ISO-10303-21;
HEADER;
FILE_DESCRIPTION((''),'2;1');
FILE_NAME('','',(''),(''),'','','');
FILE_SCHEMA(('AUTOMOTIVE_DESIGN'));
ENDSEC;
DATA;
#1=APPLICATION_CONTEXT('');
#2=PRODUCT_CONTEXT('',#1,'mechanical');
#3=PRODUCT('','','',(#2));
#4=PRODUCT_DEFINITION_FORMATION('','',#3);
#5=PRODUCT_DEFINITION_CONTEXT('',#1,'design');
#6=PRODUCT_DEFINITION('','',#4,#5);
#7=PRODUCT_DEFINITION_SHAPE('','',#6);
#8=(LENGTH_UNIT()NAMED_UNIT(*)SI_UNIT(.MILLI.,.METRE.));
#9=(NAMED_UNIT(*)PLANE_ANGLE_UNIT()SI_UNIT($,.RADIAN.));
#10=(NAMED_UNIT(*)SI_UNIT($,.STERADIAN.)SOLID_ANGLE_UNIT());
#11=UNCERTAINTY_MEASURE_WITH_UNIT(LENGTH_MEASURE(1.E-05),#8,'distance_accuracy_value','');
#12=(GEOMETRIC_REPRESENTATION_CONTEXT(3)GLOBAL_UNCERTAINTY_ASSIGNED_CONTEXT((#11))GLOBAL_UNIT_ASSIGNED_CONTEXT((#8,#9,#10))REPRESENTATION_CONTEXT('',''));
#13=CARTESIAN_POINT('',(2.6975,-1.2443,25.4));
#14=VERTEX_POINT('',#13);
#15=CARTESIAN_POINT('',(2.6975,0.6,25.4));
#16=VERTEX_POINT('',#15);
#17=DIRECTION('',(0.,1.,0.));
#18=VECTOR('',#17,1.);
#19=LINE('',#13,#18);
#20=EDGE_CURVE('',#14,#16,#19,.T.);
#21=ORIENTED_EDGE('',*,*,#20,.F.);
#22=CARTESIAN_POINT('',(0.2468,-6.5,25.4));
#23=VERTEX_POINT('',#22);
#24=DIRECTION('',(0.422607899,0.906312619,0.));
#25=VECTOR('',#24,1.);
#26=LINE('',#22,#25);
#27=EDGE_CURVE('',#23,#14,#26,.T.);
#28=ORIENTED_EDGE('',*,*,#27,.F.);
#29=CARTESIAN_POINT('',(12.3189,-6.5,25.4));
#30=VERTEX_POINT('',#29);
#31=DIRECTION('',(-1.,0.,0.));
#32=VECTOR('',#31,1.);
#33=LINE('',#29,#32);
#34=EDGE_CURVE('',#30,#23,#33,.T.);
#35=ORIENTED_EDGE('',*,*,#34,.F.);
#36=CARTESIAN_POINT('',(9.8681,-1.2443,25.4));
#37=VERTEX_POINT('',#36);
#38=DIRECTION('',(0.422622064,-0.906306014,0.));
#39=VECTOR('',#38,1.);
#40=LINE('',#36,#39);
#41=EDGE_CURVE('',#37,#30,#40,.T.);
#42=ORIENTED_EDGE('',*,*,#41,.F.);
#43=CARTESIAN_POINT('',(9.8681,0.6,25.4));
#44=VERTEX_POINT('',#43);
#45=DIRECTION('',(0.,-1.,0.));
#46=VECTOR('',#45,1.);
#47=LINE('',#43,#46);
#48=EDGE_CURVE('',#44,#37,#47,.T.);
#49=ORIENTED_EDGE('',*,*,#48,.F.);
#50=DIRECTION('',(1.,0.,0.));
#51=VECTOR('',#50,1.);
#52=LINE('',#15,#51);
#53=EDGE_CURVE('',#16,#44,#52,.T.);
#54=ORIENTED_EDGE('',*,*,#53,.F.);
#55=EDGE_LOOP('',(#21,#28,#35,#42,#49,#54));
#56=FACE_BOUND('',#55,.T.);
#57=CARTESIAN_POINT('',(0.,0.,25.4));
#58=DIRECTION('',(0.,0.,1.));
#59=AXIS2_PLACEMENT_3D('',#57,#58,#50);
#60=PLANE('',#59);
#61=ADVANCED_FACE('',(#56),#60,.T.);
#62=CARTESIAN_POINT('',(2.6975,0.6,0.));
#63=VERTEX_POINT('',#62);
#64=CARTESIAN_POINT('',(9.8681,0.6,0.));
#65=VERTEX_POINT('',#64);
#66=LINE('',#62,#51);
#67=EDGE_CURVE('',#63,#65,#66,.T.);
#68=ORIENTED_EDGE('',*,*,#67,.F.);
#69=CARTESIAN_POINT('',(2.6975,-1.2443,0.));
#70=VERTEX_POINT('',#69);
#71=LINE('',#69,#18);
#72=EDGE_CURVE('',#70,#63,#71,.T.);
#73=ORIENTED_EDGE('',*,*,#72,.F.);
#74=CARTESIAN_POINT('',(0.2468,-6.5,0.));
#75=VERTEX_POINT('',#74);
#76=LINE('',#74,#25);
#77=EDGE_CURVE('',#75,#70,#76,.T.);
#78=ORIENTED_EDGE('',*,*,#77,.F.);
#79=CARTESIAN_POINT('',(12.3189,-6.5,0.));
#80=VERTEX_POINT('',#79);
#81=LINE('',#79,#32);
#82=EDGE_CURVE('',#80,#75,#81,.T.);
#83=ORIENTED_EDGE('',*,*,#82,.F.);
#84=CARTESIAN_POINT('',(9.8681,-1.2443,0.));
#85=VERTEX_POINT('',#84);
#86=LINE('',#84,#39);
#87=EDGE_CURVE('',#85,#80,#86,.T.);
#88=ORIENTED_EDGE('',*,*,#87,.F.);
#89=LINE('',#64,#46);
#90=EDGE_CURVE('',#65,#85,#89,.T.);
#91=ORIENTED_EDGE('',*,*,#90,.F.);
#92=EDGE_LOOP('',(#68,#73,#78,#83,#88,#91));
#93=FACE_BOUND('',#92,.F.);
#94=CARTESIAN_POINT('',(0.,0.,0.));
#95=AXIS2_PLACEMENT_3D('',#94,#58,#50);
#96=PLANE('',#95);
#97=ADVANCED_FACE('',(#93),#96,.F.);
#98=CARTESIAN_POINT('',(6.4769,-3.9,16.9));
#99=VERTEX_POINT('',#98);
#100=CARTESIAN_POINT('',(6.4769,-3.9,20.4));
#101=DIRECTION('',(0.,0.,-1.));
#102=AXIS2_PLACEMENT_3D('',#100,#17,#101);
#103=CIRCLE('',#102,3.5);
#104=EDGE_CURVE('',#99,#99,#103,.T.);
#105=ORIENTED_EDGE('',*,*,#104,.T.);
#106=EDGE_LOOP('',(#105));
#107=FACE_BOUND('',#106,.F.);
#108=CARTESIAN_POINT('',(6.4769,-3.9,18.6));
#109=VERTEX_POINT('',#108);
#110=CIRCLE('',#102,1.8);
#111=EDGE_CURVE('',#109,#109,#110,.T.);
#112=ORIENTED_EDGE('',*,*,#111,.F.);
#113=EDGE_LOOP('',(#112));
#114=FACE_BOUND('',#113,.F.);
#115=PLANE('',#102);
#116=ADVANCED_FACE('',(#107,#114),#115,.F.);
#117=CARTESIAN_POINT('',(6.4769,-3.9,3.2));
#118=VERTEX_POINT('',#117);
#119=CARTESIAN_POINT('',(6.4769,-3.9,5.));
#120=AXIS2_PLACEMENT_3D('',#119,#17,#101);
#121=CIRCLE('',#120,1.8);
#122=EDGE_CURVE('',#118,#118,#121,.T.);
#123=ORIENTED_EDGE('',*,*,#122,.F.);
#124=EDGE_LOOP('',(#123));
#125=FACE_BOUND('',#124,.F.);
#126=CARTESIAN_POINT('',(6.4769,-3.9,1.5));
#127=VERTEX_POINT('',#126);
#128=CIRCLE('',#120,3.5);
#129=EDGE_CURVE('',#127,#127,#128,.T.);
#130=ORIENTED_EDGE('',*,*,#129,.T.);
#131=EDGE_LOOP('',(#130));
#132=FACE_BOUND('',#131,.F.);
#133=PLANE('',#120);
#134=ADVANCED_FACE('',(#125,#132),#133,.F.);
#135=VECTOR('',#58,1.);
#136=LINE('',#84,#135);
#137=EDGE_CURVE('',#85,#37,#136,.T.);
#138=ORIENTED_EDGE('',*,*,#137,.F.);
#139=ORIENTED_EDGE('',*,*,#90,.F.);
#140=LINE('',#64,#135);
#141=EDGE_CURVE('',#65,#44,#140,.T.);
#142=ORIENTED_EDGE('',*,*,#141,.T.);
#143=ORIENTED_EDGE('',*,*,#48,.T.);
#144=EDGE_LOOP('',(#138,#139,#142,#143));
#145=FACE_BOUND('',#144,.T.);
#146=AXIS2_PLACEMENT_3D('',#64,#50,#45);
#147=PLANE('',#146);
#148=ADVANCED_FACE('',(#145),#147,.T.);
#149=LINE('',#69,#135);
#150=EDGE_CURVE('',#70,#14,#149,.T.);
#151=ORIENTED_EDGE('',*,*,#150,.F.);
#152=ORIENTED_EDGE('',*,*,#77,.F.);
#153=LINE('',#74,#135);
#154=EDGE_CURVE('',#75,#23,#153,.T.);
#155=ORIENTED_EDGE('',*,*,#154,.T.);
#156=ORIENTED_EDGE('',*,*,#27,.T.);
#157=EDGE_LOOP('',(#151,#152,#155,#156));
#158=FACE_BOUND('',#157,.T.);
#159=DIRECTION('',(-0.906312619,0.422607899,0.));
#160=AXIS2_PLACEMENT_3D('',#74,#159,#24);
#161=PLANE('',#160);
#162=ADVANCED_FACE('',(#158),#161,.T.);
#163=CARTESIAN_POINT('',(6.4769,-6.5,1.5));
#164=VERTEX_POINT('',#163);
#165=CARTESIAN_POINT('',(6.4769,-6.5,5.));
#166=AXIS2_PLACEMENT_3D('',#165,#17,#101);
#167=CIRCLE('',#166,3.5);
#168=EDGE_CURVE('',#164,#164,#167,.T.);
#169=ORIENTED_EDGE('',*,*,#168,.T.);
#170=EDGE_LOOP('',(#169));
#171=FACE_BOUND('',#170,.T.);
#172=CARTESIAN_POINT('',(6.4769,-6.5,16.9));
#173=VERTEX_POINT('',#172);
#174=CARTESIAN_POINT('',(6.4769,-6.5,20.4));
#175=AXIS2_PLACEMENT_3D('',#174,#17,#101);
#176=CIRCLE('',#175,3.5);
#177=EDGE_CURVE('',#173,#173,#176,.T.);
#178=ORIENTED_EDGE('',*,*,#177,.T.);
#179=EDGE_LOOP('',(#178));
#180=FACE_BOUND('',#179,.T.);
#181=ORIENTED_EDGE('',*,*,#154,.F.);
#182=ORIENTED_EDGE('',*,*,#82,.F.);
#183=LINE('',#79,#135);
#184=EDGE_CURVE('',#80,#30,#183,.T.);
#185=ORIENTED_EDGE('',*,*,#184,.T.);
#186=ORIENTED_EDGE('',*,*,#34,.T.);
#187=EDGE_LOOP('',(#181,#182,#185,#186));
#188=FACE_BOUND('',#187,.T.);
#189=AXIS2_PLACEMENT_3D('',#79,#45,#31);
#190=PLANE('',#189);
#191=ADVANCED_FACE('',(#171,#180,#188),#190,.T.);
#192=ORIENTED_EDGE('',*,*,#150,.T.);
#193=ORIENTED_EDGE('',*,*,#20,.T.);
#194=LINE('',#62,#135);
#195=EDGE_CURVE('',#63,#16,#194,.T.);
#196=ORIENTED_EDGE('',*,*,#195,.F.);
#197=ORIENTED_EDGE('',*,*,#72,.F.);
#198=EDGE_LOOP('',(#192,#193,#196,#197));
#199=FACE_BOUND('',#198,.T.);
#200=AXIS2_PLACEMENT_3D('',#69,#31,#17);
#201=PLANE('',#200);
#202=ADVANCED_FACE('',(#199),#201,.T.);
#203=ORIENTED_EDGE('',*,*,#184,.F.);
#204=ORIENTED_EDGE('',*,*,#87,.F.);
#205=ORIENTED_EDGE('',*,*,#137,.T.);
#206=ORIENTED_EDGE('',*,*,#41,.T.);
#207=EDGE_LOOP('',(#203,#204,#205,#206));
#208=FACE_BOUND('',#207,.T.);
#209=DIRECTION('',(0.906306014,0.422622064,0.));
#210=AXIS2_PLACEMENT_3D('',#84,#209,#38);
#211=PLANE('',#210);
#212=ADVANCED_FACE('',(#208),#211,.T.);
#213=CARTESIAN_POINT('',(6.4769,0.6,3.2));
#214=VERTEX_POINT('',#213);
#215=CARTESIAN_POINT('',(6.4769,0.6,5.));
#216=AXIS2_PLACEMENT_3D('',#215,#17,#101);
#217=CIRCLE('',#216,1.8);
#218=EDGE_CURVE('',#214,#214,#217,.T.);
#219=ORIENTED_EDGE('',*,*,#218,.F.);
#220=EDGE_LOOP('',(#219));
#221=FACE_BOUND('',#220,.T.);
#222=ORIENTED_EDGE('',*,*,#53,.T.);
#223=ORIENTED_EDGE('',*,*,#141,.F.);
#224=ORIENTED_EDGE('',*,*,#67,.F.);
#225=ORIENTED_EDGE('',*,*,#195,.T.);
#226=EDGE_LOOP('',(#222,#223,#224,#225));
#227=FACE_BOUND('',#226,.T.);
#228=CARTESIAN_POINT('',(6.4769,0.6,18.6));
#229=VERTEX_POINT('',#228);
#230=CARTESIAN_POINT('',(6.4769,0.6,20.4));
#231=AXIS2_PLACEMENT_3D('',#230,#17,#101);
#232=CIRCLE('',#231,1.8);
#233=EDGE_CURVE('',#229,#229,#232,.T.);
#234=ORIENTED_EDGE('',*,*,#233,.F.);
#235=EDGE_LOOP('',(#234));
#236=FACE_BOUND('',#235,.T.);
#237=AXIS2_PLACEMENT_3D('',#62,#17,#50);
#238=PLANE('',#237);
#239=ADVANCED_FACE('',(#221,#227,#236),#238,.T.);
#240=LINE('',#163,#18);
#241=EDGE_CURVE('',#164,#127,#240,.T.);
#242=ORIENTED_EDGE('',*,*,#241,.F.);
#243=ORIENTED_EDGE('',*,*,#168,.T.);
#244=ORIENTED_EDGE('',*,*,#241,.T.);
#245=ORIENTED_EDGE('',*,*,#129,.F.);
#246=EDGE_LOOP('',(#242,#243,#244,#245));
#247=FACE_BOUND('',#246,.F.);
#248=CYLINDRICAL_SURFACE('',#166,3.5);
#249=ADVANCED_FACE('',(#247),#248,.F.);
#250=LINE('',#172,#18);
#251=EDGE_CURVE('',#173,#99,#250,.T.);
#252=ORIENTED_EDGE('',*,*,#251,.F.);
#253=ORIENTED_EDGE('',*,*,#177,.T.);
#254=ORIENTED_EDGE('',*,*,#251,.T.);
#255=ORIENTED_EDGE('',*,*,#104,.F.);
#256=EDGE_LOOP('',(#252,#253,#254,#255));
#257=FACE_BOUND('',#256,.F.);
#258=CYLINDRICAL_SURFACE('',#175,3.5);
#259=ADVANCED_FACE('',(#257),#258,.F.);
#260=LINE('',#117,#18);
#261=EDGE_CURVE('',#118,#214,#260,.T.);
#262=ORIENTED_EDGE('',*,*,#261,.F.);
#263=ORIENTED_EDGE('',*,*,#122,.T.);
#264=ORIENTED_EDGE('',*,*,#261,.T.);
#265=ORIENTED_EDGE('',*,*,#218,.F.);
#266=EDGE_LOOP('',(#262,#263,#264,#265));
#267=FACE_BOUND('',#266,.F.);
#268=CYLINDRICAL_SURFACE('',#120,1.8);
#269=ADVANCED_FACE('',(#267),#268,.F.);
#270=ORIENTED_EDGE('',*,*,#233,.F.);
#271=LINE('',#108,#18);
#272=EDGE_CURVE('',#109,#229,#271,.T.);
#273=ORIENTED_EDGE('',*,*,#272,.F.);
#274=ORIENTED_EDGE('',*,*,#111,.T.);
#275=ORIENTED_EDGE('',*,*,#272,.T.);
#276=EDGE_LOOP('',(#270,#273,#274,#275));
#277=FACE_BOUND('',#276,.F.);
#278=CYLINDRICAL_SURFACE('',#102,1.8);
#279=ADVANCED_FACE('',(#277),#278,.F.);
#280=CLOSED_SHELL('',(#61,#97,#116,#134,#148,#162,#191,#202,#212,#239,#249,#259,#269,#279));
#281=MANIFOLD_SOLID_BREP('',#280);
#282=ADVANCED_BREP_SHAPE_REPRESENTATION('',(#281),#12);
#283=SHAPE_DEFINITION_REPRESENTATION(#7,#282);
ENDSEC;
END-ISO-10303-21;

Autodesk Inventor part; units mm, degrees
ref_plane "YZ Plane" through (0, 0, 0) normal (1, 0, 0) x (0, 1, 0)
ref_plane "XZ Plane" through (0, 0, 0) normal (0, 1, 0) x (-1, 0, 0)
ref_plane "XY Plane" through (0, 0, 0) normal (0, 0, 1) x (1, 0, 0)
sketch "Sketch1" plane through (0, 0, 0) normal (0, 0, 1) x (1, 0, 0)
  line L0 (12.6328, -6.7) -> (10.0681, -1.2)
  line L1 (-0.0672, -6.7) -> (2.4975, -1.2)
  line L2 (-0.0672, -6.7) -> (12.6328, -6.7)
  line L3 (10.0681, 0.8) -> (2.4975, 0.8)
  line L4 (2.4975, -1.2) -> (2.4975, 0.8)
  line L5 (10.0681, -1.2) -> (10.0681, 0.8)
  line L6 (2.6975, 0.6) -> (9.8681, 0.6)
  line L7 (9.8681, 0.6) -> (9.8681, -1.2443)
  line L8 (9.8681, -1.2443) -> (12.3189, -6.5)
  line L9 (12.3189, -6.5) -> (0.2468, -6.5)
  line L10 (0.2468, -6.5) -> (2.6975, -1.2443)
  line L11 (2.6975, -1.2443) -> (2.6975, 0.6)
  line L12 (6.2828, 2.7247) -> (6.2828, -9.3147) construction
  point P0 (0, 0)
  point P1 (19.05, 0)
  point P2 (0, 0)
  dimension "d20" = 12.7
  dimension "d22" = 5.5
  dimension "d23" = 5.5
  dimension "d24" = 2
  dimension "d25" = 2
  dimension "d28" = 0.2
  dimension "d29" = 155
  dimension "d31" = 155
extrude "Extrusion1" add sketch "Sketch1" along normal blind 25.4 contours L6 L7 L8 L9 L10 L11
hole "Hole1" at (6.4769, -6.5, 20.4) direction (0, 1, 0) diameter 3.6 end through all counterbore diameter 7 counterbore depth 2.6
hole "Hole2" at (6.4769, -6.5, 5) direction (0, 1, 0) diameter 3.6 end through all counterbore diameter 7 counterbore depth 2.6
properties part number "Wall_mount"
